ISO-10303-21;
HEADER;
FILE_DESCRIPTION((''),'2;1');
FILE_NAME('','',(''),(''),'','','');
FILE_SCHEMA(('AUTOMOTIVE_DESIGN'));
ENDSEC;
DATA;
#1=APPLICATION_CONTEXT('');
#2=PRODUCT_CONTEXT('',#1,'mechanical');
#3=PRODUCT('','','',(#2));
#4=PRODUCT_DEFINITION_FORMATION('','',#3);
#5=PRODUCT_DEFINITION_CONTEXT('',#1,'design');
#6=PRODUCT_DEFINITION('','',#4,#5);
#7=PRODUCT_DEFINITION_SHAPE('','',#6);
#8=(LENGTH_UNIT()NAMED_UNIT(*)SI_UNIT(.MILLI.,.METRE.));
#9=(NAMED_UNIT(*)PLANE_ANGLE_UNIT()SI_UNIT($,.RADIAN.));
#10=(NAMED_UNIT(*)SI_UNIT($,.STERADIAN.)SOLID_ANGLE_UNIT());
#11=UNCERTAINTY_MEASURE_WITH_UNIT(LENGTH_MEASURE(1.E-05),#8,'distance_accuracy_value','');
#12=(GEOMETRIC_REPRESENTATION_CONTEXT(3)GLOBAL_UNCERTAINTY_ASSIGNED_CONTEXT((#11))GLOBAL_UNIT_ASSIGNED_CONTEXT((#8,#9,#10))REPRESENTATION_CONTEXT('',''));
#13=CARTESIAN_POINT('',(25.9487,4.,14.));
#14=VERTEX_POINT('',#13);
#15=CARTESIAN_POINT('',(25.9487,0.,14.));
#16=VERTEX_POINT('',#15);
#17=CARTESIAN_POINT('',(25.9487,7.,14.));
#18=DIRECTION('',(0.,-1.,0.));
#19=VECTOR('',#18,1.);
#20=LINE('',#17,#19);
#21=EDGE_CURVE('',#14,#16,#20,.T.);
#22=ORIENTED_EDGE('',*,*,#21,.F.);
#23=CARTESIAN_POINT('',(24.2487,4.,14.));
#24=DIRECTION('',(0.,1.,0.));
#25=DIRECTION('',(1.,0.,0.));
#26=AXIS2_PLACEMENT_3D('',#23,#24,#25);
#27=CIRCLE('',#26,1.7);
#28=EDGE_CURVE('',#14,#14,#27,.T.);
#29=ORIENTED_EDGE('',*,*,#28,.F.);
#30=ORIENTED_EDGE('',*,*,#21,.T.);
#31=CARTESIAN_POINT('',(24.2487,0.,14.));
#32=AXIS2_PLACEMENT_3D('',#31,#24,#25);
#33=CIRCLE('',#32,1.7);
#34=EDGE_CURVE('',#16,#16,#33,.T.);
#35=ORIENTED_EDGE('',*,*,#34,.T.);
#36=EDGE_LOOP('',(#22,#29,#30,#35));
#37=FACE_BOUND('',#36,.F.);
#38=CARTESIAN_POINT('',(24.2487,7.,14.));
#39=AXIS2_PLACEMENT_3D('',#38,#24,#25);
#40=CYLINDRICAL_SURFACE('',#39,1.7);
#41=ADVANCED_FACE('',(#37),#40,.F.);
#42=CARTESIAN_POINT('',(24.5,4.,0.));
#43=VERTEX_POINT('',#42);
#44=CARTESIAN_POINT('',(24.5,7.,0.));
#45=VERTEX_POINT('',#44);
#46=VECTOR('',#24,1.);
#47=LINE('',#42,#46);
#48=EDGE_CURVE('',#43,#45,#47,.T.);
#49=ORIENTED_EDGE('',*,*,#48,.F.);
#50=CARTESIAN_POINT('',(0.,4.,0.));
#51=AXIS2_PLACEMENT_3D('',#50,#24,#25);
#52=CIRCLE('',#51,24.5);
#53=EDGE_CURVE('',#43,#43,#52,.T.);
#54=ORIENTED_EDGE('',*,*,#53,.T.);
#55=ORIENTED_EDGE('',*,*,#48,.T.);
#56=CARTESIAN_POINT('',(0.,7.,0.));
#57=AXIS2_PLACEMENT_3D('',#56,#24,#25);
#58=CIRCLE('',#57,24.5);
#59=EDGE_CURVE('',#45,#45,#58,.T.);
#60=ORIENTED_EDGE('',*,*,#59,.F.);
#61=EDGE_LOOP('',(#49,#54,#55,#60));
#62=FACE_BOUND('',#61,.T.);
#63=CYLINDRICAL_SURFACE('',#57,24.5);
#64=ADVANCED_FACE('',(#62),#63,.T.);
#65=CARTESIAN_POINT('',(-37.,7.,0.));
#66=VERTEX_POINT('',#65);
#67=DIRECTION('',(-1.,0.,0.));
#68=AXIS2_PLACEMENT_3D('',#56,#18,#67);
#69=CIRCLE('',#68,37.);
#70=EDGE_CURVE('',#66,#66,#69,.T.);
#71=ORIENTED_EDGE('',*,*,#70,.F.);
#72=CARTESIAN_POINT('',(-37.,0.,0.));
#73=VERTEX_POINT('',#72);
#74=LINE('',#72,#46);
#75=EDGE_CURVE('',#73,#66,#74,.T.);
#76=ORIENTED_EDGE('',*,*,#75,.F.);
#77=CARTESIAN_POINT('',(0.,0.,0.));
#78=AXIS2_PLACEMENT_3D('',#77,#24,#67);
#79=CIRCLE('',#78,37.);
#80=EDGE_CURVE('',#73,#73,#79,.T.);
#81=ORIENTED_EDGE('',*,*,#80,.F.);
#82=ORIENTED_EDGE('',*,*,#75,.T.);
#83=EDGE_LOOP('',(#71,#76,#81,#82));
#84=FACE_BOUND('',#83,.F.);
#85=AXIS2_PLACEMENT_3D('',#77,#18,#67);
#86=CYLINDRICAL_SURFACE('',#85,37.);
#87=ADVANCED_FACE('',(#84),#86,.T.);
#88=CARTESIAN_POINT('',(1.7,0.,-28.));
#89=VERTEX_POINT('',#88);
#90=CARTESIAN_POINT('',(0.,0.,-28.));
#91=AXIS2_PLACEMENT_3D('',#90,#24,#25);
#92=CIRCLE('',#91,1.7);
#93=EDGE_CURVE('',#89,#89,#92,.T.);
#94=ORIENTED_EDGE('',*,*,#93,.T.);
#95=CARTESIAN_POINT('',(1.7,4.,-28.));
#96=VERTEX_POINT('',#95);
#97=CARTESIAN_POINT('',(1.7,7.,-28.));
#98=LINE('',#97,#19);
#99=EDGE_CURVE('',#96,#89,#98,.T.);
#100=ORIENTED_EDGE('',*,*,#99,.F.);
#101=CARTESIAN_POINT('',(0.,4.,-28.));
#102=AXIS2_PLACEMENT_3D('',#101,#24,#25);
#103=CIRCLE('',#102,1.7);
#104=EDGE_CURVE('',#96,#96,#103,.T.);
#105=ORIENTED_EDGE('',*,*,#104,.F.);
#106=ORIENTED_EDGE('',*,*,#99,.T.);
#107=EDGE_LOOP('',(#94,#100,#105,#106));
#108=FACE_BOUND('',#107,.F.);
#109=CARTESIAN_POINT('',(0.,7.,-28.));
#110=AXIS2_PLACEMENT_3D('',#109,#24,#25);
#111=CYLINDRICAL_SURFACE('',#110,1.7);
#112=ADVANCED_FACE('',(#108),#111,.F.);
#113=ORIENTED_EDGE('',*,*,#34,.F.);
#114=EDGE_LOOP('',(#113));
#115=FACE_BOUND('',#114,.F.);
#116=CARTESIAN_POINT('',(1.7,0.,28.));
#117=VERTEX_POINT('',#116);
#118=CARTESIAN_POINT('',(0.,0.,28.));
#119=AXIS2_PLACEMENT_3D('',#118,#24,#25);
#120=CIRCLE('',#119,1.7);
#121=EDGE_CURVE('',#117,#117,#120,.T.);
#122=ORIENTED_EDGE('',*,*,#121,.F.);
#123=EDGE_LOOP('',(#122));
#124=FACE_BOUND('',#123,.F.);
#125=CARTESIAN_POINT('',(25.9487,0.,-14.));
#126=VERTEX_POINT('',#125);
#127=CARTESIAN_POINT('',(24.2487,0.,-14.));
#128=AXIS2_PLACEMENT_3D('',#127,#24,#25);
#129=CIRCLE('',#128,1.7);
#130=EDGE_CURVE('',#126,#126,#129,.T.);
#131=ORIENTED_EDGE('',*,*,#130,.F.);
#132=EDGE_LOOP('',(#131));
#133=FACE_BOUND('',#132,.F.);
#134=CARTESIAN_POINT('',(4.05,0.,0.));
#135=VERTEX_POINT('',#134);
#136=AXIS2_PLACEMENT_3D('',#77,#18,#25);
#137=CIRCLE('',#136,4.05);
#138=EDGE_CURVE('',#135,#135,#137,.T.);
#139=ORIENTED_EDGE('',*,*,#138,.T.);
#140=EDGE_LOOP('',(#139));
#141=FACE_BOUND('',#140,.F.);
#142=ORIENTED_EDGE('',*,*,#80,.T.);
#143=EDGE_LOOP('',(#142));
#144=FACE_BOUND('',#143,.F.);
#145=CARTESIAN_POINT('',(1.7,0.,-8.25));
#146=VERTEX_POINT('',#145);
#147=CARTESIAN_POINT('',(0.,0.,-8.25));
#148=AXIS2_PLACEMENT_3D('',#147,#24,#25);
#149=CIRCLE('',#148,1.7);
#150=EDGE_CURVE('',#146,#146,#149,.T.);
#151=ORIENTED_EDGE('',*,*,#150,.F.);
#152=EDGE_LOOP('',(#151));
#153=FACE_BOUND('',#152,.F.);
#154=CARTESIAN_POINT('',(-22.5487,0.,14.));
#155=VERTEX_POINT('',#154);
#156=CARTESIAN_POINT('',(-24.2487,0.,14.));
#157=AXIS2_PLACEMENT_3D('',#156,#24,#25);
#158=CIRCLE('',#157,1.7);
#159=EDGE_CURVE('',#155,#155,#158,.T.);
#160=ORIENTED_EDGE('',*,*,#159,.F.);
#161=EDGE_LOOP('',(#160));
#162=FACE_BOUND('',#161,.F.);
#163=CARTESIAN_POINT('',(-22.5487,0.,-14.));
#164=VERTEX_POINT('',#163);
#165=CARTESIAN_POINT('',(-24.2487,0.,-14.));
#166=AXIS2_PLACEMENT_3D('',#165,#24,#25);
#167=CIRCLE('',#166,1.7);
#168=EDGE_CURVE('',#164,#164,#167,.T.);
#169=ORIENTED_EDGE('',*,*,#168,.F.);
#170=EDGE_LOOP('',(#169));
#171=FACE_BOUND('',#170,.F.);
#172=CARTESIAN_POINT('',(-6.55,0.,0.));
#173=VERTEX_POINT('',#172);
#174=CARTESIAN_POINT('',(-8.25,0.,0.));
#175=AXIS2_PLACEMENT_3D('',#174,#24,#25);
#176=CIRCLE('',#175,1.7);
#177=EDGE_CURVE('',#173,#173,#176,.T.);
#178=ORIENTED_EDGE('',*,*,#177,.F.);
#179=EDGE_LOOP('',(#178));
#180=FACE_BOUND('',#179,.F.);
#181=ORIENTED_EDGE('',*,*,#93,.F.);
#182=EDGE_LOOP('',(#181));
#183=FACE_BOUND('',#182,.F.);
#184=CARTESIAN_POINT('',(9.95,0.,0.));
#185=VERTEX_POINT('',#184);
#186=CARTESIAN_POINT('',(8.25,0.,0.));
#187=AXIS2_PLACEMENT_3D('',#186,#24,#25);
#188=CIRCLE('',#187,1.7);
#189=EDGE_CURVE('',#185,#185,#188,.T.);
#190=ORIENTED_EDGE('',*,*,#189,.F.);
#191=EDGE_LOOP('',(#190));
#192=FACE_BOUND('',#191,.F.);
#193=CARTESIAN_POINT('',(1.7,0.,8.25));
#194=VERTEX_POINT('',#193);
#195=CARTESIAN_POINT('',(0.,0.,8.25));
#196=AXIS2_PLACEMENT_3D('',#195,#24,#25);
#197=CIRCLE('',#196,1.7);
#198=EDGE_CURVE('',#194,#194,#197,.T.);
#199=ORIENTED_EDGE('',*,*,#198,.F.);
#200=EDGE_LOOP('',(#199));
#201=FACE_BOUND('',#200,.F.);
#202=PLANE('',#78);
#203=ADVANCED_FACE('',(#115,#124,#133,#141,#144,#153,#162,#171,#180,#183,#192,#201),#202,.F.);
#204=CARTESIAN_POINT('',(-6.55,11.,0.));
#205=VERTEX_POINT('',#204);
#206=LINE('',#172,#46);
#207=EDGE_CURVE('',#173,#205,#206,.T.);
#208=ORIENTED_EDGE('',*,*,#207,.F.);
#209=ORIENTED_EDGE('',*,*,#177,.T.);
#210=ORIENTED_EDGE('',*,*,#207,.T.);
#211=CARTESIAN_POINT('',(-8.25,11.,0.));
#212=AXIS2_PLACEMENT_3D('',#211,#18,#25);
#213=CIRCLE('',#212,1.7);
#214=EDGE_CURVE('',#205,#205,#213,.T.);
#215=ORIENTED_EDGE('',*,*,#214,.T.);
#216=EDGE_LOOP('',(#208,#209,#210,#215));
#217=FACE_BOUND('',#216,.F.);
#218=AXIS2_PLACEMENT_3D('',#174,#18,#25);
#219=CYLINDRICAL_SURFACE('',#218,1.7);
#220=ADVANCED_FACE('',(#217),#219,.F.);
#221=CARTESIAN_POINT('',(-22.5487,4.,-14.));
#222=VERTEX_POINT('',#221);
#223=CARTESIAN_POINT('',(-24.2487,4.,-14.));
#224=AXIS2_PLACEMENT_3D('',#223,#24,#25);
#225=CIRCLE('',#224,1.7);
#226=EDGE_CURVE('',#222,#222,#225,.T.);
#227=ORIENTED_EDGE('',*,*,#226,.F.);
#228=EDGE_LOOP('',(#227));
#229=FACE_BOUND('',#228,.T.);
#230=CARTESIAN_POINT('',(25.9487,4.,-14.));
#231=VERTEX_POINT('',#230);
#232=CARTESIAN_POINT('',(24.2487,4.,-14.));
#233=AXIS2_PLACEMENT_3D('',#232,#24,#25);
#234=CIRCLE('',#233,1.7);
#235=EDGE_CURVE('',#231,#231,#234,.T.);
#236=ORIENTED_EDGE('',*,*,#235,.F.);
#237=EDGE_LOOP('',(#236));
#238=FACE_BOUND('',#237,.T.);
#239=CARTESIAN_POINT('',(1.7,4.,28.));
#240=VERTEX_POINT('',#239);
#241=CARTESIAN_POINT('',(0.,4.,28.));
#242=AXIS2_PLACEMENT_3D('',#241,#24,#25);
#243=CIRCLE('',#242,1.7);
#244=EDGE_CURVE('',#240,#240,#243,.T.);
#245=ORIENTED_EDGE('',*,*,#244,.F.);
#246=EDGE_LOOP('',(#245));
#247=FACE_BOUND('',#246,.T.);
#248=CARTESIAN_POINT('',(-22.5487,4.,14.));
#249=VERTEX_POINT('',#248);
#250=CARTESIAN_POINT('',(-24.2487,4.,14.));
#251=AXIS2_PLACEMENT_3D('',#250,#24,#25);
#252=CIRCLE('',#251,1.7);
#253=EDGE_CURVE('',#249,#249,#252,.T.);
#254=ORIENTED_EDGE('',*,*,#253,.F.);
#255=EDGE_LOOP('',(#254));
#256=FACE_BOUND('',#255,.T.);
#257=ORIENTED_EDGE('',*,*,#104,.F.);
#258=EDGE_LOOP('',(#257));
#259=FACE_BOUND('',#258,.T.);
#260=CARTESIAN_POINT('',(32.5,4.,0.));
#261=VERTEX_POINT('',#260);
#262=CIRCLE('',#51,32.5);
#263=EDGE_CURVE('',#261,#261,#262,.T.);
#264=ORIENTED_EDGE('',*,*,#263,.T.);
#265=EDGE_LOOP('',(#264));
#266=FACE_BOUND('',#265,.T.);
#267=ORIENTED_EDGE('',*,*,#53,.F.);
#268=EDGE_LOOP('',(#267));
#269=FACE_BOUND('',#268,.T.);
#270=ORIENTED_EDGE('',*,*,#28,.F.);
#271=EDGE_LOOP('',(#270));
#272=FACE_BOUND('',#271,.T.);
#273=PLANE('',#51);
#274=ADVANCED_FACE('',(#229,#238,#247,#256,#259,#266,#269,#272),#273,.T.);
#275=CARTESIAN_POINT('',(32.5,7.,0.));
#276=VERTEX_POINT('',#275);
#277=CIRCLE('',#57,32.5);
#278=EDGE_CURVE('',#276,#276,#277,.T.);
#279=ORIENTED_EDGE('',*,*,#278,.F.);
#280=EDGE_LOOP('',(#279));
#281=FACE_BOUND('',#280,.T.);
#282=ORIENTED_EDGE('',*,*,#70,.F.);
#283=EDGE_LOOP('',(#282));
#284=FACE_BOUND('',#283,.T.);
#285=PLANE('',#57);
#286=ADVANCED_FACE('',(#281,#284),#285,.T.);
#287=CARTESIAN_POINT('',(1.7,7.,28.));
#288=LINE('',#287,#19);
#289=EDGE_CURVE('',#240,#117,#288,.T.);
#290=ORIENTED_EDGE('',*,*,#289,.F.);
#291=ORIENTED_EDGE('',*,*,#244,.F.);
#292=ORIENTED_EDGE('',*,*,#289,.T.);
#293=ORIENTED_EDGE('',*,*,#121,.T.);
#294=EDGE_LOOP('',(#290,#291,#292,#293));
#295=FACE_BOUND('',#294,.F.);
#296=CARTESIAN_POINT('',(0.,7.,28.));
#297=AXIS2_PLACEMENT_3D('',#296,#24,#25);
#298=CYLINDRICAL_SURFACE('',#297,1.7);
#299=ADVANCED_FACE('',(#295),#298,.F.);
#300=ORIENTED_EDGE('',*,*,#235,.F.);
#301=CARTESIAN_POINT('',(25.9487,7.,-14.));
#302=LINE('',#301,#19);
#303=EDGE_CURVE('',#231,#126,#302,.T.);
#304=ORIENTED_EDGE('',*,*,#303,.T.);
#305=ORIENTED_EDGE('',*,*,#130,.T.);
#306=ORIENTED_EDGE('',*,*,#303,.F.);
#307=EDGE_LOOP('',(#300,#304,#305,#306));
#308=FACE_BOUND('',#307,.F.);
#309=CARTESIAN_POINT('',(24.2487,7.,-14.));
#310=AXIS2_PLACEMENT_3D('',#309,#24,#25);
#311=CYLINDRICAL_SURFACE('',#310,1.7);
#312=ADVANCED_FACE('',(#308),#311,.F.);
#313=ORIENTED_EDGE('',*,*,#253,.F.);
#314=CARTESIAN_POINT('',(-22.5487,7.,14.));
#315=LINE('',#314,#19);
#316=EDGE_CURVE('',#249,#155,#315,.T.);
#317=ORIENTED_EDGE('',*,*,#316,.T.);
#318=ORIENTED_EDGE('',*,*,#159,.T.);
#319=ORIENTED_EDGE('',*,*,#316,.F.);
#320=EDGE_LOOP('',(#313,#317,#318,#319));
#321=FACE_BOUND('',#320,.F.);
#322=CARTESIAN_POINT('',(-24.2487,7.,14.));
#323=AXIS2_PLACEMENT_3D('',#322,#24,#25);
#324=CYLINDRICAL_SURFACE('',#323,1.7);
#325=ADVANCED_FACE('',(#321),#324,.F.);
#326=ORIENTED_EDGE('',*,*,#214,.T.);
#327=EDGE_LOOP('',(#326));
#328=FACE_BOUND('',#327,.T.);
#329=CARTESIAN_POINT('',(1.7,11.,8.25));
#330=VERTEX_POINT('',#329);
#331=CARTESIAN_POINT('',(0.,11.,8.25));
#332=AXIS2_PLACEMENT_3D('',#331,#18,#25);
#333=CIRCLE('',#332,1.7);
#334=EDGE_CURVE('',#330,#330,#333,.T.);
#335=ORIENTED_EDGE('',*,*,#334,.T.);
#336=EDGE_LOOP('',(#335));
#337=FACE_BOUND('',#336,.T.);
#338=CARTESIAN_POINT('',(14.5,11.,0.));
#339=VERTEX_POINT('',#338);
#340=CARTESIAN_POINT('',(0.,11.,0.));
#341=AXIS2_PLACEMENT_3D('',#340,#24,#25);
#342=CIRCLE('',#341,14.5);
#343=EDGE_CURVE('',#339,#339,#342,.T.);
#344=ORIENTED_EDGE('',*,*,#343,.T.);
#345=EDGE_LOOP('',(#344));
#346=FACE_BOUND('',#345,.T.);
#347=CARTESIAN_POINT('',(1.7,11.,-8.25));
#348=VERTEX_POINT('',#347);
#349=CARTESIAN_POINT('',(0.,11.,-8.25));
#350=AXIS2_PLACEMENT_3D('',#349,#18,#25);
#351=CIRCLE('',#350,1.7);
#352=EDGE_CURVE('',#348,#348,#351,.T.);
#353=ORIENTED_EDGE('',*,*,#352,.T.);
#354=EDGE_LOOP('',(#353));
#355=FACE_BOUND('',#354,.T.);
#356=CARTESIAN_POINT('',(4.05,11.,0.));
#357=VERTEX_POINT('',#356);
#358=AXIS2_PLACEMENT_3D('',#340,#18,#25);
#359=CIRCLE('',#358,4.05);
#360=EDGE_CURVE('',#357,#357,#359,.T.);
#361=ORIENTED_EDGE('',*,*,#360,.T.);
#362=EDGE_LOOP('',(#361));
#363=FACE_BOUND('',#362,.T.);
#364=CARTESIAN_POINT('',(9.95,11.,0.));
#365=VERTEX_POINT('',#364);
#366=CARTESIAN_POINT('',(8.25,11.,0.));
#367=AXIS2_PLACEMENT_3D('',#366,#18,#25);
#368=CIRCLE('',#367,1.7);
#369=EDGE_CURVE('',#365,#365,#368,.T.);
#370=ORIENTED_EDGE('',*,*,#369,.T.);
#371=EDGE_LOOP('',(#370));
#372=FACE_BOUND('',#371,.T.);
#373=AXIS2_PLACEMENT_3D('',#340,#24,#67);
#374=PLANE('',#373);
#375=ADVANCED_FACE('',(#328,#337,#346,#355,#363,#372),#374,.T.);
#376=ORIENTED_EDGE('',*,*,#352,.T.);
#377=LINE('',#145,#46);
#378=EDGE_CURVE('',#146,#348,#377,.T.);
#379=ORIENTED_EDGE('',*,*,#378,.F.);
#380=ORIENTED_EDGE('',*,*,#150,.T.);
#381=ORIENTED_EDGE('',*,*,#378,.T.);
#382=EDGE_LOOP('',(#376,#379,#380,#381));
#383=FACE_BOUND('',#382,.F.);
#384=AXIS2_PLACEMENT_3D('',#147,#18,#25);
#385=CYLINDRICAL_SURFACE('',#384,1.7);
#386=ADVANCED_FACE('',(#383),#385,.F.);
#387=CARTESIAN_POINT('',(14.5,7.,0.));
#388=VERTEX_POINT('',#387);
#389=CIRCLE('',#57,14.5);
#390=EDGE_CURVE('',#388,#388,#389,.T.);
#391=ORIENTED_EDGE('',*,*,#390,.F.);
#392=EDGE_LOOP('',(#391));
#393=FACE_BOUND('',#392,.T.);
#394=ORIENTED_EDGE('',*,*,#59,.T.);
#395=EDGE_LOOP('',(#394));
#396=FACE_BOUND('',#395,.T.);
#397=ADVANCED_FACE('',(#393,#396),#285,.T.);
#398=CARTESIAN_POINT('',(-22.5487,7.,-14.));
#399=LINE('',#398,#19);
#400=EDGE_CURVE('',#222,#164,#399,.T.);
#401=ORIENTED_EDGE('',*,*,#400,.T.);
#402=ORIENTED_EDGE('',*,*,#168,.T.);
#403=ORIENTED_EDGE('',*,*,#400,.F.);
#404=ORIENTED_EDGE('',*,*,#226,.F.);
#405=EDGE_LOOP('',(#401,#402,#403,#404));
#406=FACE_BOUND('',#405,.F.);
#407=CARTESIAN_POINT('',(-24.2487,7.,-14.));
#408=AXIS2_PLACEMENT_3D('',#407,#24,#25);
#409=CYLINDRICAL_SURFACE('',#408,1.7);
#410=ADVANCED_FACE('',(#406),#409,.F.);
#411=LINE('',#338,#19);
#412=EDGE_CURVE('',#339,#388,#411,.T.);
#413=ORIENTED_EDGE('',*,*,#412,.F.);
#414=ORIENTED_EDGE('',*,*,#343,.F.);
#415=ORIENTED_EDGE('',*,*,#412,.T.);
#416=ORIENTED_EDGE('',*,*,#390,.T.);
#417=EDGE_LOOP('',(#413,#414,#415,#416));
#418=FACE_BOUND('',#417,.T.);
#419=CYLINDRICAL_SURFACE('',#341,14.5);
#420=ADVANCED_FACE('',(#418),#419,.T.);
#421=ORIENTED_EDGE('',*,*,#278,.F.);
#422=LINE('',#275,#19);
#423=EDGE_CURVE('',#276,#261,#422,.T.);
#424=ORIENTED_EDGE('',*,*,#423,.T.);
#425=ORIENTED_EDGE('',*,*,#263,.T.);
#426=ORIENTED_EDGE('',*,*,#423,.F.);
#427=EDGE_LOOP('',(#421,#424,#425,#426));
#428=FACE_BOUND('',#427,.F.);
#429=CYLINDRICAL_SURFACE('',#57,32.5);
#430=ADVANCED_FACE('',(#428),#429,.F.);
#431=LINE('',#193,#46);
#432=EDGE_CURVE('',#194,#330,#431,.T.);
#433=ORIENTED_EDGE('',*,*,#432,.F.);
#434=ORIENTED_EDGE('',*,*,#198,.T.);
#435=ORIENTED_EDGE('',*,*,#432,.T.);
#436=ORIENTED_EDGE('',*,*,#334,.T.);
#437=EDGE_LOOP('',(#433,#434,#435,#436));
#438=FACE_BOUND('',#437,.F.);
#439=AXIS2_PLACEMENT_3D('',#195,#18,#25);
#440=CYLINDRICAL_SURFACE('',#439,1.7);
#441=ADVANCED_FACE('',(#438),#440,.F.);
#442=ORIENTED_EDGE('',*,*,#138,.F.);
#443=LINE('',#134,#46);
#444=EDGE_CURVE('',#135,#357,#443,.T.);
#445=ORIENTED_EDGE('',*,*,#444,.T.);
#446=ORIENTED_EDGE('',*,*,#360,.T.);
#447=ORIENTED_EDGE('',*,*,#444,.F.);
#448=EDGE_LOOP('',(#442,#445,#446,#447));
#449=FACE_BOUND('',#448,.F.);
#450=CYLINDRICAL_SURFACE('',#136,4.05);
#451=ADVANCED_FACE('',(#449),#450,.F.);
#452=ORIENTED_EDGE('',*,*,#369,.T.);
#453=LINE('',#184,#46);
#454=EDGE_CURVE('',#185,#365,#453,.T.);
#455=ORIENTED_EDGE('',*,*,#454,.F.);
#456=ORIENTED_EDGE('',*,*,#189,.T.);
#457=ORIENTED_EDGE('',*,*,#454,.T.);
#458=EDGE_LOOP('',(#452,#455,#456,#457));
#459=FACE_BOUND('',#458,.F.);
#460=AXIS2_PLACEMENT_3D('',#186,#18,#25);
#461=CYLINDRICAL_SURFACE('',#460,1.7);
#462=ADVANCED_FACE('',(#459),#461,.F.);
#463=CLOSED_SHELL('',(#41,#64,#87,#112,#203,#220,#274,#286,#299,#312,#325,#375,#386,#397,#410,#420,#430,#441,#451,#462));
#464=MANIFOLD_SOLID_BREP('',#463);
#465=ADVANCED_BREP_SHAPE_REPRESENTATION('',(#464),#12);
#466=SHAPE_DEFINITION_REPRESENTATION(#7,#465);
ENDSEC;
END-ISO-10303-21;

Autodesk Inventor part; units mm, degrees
ref_plane "YZ Plane" through (0, 0, 0) normal (1, 0, 0) x (0, 1, 0)
ref_plane "XZ Plane" through (0, 0, 0) normal (0, 1, 0) x (-1, 0, 0)
ref_plane "XY Plane" through (0, 0, 0) normal (0, 0, 1) x (1, 0, 0)
sketch "Boceto1" plane through (0, 0, 0) normal (0, 1, 0) x (-1, 0, 0)
  circle A0 centre (0, 0) radius 37
  dimension "d0" = 74
extrude "Extrusión1" add sketch "Boceto1" along normal blind 11
sketch "Boceto3" plane through (0, 0, 0) normal (0, -1, 0) x (1, 0, 0)
  circle A0 centre (0, 0) radius 8.25
  circle A1 centre (0, 8.25) radius 1.7
  circle A2 centre (8.25, 0) radius 1.7
  circle A3 centre (-8.25, 0) radius 1.7
  circle A4 centre (0, -8.25) radius 1.7
  dimension "d7" = 3.4
  dimension "d8" = 16.5
extrude "Extrusión3" cut sketch "Boceto3" against normal through all contours A0 A2 | A0 A2 | A1 A0 | A0 A1 | A4 A0 | A0 A4 | A3 A0 | A0 A3
sketch "Boceto5" plane through (0, 0, 0) normal (0, -1, 0) x (1, 0, 0)
  circle A0 centre (0, 0) radius 4.05
  dimension "d13" = 8.1
extrude "Extrusión5" cut sketch "Boceto5" against normal through all
sketch "Boceto8" plane through (0, 11, 0) normal (0, 1, 0) x (1, 0, 0)
  circle A0 centre (0, 0) radius 24.5
  circle A1 centre (0, 0) radius 37
  dimension "d25" = 49
  dimension "d26" = 74
extrude "Extrusión8" cut sketch "Boceto8" against normal blind 4
sketch "Boceto14" plane through (0, 7, 0) normal (0, 1, 0) x (1, 0, 0)
  circle A0 centre (0, 0) radius 28
  circle A1 centre (0, 28) radius 1.7
  circle A2 centre (-24.2487, 14) radius 1.7
  circle A3 centre (-24.2487, -14) radius 1.7
  circle A4 centre (0, -28) radius 1.7
  circle A5 centre (24.2487, -14) radius 1.7
  circle A6 centre (24.2487, 14) radius 1.7
  point P0 (-1.6992, -27.9484)
  point P1 (1.6992, -27.9484)
  dimension "d50" = 56
  dimension "d51" = 3.4
  dimension "d54" = 360
extrude "Extrusión12" cut sketch "Boceto14" against normal through all contours A6 A0 | A0 A6 | A5 A0 | A0 A5 | A1 A0 | A0 A1 | A4 A0 | A0 A4 | A2 A0 | A0 A2 | A3 A0 | A0 A3
sketch "Boceto15" plane through (0, 7, 0) normal (0, 1, 0) x (1, 0, 0)
  circle A0 centre (24.2487, 14) radius 1.7 projected
  circle A1 centre (24.2487, 14) radius 3
  circle A2 centre (0, 28) radius 3
  circle A3 centre (-24.2487, 14) radius 3
  circle A4 centre (-24.2487, -14) radius 3
  circle A5 centre (0, -28) radius 3
  circle A6 centre (24.2487, -14) radius 3
  circle A7 centre (0, 0) radius 4.05 projected
  circle A8 centre (0, 0) radius 32.5
  circle A9 centre (0, 0) radius 24.5
  dimension "d58" = 6
  dimension "d61" = 360
  dimension "d63" = 65
extrude "Extrusión13" cut sketch "Boceto15" against normal blind 3 contours A0 | A1 | A2 | A3 | A4 | A5 | A6 | A8
sketch "Boceto16" plane through (0, 11, 0) normal (0, 1, 0) x (1, 0, 0)
  circle A0 centre (0, 0) radius 4.05 projected
  circle A1 centre (0, 0) radius 14.5
  circle A2 centre (0, 0) radius 37
  dimension "d66" = 29
extrude "Extrusión14" cut sketch "Boceto16" against normal blind 4 contours A2
equation "\"d1\" = Altura"
equation "\"Altura\" = 11"
properties part number "Joint - Primer segmento" material "Plastico PETG"
